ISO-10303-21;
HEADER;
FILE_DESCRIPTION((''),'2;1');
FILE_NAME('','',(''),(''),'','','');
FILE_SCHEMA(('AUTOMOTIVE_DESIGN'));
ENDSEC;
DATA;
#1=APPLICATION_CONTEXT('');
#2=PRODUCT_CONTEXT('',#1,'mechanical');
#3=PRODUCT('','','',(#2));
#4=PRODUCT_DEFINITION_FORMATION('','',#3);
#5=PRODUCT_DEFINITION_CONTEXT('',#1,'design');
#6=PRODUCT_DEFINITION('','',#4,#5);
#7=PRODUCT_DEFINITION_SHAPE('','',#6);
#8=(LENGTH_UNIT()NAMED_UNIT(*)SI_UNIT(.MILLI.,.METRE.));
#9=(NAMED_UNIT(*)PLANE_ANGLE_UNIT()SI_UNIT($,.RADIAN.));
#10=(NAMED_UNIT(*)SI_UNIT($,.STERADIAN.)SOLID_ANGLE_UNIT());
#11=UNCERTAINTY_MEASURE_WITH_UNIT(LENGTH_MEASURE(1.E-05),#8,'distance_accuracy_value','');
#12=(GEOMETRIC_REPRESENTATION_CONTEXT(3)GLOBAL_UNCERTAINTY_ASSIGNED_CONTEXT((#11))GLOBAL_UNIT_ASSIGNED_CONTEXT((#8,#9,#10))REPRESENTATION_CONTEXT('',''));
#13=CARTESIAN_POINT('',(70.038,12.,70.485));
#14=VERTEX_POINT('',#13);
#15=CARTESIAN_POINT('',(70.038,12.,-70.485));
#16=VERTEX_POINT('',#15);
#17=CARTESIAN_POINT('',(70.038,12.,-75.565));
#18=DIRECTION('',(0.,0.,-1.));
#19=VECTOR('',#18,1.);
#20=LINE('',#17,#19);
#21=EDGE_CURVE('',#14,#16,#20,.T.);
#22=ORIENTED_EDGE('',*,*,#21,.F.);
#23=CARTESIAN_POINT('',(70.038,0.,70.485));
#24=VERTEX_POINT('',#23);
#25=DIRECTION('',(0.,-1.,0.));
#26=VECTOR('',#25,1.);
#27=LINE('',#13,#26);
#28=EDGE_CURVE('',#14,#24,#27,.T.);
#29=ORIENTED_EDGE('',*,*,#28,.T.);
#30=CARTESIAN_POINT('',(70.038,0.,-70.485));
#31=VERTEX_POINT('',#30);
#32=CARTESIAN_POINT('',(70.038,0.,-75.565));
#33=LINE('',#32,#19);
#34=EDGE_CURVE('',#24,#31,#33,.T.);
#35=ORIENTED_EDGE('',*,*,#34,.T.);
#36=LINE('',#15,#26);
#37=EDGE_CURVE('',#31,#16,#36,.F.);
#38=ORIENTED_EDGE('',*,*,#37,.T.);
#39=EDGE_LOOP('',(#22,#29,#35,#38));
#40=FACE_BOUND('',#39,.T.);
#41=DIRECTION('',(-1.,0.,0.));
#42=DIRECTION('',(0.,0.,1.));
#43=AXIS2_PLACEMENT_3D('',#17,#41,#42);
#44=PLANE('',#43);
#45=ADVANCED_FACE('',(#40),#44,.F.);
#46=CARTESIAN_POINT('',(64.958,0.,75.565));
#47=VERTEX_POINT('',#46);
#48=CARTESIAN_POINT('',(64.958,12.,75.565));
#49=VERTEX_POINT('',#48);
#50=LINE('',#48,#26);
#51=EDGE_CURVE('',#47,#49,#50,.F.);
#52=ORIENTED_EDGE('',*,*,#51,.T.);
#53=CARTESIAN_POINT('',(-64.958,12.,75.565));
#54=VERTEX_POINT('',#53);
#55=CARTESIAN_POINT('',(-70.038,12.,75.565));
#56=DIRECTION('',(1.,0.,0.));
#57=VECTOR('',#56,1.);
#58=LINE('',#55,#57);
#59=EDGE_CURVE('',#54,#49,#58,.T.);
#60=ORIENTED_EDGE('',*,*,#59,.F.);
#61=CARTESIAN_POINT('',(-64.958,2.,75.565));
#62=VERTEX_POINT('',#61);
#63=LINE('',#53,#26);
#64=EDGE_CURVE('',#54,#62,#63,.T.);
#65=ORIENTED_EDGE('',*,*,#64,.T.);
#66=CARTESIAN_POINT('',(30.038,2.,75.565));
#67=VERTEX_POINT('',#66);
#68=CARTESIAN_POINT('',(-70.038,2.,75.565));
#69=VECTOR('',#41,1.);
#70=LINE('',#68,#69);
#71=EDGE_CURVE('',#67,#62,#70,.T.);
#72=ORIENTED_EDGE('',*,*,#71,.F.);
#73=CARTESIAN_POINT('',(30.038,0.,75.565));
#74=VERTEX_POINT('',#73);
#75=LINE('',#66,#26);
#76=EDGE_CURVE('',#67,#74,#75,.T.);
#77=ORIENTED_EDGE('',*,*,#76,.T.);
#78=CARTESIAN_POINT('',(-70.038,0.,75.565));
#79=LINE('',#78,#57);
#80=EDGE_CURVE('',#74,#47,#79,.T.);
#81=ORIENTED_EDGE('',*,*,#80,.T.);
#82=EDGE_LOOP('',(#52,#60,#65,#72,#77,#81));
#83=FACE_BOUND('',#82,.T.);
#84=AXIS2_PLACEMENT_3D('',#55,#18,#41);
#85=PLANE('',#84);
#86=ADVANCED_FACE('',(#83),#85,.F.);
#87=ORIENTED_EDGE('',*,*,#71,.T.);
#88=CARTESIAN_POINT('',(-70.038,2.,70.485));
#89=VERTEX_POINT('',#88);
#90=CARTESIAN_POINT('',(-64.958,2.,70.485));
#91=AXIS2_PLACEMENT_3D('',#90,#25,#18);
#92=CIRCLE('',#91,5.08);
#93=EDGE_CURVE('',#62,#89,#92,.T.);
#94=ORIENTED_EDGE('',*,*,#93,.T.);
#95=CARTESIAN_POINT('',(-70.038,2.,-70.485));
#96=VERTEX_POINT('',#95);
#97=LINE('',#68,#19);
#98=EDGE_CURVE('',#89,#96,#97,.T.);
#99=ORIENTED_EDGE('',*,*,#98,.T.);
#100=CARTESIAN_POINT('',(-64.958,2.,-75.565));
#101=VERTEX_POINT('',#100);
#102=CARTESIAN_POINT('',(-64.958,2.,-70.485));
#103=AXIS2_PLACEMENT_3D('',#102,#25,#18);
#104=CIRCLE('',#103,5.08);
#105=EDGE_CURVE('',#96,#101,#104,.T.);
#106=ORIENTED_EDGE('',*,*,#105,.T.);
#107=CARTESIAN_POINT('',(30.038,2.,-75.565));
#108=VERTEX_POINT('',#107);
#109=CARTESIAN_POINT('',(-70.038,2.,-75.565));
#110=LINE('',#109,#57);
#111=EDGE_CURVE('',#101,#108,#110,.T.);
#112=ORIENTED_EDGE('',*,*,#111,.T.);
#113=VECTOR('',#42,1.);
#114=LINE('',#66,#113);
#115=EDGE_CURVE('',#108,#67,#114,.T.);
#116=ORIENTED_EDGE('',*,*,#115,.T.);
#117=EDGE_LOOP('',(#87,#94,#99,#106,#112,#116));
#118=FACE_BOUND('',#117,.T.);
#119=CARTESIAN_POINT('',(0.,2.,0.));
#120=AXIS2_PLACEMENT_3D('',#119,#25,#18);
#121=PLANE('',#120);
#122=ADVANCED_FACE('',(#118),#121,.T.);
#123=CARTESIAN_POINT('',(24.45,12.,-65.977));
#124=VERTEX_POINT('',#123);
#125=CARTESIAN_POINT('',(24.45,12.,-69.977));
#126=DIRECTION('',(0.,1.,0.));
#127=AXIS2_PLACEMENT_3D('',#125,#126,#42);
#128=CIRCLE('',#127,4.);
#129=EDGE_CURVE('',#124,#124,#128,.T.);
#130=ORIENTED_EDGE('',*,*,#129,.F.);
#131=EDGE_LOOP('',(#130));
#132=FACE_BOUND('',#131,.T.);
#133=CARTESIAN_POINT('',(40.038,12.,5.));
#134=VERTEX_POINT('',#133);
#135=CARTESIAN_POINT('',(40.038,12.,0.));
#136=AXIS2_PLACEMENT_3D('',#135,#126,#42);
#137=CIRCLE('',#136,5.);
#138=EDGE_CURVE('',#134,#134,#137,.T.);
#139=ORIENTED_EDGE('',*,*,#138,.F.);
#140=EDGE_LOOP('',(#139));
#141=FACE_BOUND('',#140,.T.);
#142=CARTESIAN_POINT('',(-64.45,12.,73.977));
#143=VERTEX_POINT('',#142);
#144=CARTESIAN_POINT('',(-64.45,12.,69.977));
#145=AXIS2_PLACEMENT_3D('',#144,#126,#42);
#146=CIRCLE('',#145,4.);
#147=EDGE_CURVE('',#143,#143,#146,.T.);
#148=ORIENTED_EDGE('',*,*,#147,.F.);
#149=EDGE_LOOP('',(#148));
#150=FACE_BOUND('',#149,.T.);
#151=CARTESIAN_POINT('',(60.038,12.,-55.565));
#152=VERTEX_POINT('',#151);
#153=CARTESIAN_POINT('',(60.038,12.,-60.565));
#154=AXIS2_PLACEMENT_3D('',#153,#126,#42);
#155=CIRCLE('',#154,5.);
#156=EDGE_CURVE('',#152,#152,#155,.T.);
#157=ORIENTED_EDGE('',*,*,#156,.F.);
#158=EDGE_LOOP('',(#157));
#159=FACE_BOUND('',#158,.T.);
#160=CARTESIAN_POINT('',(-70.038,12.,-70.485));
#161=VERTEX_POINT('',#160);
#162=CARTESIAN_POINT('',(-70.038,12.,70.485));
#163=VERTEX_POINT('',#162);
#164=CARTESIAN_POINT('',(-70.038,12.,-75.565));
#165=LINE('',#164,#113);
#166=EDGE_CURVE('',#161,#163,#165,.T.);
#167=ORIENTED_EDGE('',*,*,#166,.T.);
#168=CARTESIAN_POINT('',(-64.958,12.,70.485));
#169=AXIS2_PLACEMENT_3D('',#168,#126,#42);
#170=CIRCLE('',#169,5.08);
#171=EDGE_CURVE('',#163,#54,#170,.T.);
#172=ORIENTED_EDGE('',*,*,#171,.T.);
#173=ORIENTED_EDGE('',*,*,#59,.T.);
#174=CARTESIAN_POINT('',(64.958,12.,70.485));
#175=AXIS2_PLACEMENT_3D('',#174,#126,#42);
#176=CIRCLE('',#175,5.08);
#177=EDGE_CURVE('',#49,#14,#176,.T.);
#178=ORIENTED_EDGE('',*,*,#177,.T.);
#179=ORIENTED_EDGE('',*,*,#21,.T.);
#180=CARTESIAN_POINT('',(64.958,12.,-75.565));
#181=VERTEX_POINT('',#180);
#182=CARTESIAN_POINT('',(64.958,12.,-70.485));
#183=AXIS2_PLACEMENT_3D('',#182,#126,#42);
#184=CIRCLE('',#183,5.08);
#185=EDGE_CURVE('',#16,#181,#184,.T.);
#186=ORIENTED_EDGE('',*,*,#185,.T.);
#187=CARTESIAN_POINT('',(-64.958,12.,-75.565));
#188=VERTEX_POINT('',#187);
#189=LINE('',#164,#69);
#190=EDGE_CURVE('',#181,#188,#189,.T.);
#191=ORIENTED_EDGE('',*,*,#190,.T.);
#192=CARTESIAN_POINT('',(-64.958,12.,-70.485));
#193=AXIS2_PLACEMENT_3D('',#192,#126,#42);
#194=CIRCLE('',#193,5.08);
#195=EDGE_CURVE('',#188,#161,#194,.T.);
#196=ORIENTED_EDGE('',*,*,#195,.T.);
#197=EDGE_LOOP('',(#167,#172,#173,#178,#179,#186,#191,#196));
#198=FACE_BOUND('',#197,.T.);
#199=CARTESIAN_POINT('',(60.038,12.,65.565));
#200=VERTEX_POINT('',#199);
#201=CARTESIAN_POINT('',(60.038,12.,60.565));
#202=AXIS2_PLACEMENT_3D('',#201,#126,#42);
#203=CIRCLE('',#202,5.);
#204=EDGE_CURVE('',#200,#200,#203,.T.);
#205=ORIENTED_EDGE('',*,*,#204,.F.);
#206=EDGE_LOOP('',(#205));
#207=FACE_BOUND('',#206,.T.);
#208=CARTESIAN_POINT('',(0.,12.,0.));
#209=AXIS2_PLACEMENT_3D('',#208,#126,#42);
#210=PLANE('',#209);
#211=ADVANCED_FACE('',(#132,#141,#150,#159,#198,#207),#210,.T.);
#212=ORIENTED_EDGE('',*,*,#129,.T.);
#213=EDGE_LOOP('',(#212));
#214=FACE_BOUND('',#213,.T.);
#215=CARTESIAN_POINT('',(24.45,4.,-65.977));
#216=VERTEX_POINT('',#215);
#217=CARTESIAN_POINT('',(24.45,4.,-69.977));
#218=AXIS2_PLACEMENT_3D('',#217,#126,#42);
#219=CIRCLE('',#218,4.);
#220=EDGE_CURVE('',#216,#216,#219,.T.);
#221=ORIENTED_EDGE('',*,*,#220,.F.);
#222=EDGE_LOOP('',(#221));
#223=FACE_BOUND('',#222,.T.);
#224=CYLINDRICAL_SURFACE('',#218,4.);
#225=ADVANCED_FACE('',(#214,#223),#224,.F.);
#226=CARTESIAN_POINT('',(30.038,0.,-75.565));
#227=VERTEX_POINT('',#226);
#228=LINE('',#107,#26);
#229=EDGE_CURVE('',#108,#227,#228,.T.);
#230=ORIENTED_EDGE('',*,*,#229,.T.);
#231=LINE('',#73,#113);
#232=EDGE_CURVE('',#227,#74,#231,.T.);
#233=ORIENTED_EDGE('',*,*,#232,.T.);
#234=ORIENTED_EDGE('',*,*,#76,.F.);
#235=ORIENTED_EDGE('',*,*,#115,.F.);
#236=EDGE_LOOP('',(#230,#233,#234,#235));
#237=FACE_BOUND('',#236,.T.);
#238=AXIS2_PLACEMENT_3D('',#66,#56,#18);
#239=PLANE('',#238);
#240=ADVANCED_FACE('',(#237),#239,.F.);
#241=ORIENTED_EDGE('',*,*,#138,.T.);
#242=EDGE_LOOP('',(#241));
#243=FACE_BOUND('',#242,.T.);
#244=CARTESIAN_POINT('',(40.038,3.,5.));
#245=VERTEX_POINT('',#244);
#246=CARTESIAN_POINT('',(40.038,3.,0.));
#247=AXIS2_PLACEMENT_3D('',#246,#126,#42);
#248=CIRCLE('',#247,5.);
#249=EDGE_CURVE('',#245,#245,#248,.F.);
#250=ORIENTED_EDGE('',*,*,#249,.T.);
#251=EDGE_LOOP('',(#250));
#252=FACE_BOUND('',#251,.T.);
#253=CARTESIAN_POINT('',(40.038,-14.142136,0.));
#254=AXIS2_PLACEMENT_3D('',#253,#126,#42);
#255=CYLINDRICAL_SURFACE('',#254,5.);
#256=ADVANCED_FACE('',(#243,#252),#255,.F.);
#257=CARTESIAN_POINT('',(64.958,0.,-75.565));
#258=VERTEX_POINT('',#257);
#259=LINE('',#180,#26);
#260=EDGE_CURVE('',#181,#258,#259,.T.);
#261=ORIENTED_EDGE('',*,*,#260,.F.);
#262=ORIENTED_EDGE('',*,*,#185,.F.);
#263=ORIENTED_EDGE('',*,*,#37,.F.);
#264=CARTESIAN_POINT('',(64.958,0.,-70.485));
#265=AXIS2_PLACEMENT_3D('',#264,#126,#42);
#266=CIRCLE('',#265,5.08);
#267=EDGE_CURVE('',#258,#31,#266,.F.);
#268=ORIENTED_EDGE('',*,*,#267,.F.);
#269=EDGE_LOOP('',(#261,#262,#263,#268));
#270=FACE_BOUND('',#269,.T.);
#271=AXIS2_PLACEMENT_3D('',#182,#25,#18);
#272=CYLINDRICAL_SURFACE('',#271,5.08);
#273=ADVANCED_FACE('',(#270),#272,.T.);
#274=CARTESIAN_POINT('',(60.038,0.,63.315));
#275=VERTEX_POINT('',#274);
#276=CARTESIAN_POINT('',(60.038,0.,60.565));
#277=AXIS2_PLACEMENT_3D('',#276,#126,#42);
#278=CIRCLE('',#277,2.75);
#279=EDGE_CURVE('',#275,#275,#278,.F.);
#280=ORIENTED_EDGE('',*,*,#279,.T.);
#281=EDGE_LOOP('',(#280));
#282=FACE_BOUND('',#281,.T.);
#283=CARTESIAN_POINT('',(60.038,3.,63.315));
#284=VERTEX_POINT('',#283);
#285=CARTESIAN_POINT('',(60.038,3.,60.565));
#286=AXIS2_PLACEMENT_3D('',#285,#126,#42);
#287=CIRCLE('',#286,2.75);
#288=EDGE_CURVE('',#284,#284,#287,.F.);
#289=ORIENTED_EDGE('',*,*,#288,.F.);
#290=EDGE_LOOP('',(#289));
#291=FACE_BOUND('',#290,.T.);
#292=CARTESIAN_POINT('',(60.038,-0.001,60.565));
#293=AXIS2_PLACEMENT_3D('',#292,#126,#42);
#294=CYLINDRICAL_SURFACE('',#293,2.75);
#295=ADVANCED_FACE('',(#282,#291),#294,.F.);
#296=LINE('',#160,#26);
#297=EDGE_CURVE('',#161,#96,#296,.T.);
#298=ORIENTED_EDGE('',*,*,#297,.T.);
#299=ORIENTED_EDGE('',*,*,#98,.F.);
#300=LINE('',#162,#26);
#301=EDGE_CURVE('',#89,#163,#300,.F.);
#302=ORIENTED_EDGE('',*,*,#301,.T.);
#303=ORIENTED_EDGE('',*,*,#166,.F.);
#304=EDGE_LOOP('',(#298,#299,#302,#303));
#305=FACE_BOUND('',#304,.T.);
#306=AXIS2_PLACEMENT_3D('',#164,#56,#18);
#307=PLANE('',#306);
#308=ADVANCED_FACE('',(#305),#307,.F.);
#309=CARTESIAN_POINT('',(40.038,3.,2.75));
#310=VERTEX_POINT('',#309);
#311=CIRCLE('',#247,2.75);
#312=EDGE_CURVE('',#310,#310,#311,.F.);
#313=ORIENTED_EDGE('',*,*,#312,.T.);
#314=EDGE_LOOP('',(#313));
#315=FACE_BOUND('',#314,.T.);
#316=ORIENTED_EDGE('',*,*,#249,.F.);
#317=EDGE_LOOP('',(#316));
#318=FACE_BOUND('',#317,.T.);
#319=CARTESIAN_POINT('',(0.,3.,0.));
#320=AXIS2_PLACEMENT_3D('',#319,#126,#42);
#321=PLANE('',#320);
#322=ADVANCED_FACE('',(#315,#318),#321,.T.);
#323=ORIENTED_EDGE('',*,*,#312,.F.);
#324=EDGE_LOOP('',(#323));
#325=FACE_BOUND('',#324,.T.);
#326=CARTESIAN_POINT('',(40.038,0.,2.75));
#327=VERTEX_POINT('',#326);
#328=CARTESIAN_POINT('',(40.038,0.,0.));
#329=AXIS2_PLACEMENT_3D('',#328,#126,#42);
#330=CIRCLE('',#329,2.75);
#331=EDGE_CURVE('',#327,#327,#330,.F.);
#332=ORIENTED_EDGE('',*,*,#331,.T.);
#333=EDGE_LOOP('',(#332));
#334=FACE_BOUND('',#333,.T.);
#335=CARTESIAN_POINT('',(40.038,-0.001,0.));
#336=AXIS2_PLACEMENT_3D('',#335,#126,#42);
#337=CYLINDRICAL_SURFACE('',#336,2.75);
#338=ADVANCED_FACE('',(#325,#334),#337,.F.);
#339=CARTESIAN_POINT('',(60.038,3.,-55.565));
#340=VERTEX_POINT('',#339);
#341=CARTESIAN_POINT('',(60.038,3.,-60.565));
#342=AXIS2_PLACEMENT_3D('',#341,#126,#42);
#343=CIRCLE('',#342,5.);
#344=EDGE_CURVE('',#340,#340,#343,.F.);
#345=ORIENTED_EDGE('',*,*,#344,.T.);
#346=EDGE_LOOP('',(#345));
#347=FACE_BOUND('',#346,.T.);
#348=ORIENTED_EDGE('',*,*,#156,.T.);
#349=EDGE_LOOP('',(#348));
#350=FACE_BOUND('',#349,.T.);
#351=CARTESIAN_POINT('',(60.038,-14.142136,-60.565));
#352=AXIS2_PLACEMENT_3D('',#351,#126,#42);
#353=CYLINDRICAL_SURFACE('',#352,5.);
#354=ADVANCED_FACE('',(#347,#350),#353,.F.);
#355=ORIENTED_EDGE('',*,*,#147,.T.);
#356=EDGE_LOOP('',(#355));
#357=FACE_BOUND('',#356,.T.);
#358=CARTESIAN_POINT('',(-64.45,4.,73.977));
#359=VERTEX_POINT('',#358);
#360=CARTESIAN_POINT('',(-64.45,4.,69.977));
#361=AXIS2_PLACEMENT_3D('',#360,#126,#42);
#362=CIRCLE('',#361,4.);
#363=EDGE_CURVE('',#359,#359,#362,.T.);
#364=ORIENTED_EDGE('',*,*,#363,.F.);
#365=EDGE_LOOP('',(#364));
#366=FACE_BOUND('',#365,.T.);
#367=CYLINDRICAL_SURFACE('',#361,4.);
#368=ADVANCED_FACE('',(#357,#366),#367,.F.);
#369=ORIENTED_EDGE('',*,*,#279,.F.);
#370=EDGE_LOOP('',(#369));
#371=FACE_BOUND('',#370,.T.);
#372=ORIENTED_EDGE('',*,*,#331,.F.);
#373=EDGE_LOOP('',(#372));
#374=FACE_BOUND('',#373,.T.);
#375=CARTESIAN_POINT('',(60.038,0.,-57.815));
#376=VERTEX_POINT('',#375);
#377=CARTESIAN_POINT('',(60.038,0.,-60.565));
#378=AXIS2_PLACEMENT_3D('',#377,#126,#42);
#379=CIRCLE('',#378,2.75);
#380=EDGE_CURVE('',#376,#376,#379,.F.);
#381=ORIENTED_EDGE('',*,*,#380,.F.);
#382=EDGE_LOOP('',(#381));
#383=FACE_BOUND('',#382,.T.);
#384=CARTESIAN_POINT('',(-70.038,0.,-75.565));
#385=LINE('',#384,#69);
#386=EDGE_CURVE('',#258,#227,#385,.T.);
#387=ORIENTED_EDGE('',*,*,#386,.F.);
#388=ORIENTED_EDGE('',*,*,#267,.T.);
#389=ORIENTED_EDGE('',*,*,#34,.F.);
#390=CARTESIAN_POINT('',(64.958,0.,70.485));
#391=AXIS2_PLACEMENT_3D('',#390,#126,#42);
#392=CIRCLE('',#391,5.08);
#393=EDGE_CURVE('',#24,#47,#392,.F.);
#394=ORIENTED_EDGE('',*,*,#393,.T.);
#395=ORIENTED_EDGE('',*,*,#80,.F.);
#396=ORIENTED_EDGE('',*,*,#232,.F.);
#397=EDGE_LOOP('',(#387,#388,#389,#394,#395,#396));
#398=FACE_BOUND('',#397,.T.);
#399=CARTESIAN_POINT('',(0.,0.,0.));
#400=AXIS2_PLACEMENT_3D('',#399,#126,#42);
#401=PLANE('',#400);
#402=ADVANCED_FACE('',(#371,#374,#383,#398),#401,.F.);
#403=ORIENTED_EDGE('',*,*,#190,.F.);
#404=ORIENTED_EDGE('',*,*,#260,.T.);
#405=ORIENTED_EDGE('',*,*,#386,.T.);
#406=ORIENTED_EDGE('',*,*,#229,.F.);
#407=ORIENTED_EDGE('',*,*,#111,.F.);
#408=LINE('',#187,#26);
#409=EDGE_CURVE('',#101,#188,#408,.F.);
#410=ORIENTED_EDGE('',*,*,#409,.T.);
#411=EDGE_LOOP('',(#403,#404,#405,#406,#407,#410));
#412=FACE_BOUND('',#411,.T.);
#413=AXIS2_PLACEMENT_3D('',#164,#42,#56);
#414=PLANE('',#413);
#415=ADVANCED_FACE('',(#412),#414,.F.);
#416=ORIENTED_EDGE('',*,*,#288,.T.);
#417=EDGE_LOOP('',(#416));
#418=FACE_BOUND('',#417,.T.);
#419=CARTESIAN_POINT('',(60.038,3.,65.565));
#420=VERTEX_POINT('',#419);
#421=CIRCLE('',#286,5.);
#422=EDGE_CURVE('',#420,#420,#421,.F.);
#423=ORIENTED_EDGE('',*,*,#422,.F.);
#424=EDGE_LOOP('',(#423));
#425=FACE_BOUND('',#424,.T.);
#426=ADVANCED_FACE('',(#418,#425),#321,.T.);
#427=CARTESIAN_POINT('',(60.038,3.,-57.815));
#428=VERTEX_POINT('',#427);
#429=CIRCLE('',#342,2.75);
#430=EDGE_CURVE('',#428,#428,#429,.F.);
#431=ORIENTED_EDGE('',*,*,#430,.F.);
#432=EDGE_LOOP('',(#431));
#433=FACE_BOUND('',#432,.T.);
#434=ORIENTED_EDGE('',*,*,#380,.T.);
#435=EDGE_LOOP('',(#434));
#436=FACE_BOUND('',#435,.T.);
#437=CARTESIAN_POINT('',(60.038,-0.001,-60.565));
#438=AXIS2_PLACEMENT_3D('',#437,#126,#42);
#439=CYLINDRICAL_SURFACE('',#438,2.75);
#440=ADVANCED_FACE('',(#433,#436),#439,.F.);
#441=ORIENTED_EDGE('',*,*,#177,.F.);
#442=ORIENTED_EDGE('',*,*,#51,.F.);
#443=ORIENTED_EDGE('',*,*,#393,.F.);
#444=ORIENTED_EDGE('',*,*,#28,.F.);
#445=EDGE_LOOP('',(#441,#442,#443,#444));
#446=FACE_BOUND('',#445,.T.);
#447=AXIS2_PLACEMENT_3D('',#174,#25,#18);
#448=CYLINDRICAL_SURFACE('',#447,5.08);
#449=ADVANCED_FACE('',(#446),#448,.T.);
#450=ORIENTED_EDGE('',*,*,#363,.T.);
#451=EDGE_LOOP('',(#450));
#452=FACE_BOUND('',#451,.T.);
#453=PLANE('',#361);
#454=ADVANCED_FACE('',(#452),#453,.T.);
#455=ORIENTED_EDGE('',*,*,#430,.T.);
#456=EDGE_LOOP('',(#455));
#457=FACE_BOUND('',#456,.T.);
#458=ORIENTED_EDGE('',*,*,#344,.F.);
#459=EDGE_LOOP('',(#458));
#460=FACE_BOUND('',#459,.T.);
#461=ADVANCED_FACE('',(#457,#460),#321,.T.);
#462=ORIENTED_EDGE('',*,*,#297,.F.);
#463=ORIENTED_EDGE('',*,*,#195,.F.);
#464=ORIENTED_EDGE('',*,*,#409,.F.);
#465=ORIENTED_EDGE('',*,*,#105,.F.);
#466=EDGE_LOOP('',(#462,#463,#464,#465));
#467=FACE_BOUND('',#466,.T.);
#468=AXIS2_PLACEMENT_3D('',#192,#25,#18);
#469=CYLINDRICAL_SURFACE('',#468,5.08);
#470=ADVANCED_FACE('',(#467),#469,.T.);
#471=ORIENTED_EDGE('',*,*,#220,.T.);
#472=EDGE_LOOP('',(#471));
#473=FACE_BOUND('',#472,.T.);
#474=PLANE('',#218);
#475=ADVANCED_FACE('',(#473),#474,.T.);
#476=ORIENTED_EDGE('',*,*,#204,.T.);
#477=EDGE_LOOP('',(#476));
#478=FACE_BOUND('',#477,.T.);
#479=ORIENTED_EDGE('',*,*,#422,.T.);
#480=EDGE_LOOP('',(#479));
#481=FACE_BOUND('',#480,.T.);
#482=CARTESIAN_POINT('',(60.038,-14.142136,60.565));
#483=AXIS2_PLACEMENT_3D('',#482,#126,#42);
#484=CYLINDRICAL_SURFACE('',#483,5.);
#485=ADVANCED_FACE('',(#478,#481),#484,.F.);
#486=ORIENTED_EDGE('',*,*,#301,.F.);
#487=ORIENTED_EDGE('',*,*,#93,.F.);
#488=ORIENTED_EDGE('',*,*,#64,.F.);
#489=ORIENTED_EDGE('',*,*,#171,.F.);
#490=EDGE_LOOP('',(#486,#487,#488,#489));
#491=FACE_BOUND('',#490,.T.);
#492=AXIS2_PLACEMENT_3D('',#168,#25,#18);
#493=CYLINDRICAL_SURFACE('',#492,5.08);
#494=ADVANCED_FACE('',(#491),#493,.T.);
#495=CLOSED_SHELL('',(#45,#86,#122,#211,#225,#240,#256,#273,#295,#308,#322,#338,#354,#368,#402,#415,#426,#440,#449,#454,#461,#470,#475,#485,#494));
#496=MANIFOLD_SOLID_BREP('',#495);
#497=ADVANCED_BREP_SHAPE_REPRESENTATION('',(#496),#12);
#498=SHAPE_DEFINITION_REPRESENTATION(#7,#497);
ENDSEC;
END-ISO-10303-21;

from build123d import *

# Parameters (mm, degrees)
SKETCH1_W           = 140.076
SKETCH1_H           = 151.13
BOSS_EXTRUDE1_DEPTH = 12
SKETCH2_W           = 100.076
SKETCH2_H           = 151.13
CUT_EXTRUDE1_DEPTH  = 2
SKETCH3_R           = 4
CUT_EXTRUDE2_DEPTH  = 8
CUT_EXTRUDE3_REACH  = 105.727
SKETCH4_R           = 2.75
FILLET1_R           = 5.08
SKETCH5_R           = 5
CUT_EXTRUDE4_DEPTH  = 9


with BuildPart() as part:
    # Sketch1 → Boss-Extrude1 (new body)
    with BuildSketch(Plane(origin=(0, 0, 0), x_dir=(1, 0, 0), z_dir=(0, 1, 0))):
        Rectangle(SKETCH1_W, SKETCH1_H)
    extrude(amount=BOSS_EXTRUDE1_DEPTH)

    # Sketch2 → Cut-Extrude1 (cut)
    with BuildSketch(Plane.XZ):
        with Locations((-20, 0)):
            Rectangle(SKETCH2_W, SKETCH2_H)
    extrude(amount=-CUT_EXTRUDE1_DEPTH, mode=Mode.SUBTRACT)

    # Sketch3 → Cut-Extrude2 (cut)
    with BuildSketch(Plane(origin=(0, 12, 0), x_dir=(1, 0, 0), z_dir=(0, 1, 0))):
        with Locations(Location((24.45, 69.977, 0), (0, 0, 270))):
            Circle(SKETCH3_R)
        with Locations(Location((-64.45, -69.977, 0), (0, 0, 270))):
            Circle(SKETCH3_R)
    extrude(amount=-CUT_EXTRUDE2_DEPTH, mode=Mode.SUBTRACT)

    # Sketch4 → Cut-Extrude3 (cut, up to next)
    with BuildSketch(Plane(origin=(0, 12, 0), x_dir=(1, 0, 0), z_dir=(0, 1, 0)), mode=Mode.PRIVATE) as cut_extrude3_sk1:
        with Locations(Location((40.038, 0, 0), (0, 0, 270))):
            Circle(SKETCH4_R)
    cut_extrude3_tool1 = extrude(cut_extrude3_sk1.sketch, amount=-CUT_EXTRUDE3_REACH, mode=Mode.PRIVATE) & part.part
    # Sketch4 → Cut-Extrude3 (cut, up to next)
    with BuildSketch(Plane(origin=(0, 12, 0), x_dir=(1, 0, 0), z_dir=(0, 1, 0)), mode=Mode.PRIVATE) as cut_extrude3_sk2:
        with Locations(Location((60.038, -60.565, 0), (0, 0, 270))):
            Circle(SKETCH4_R)
    cut_extrude3_tool2 = extrude(cut_extrude3_sk2.sketch, amount=-CUT_EXTRUDE3_REACH, mode=Mode.PRIVATE) & part.part
    # Sketch4 → Cut-Extrude3 (cut, up to next)
    with BuildSketch(Plane(origin=(0, 12, 0), x_dir=(1, 0, 0), z_dir=(0, 1, 0)), mode=Mode.PRIVATE) as cut_extrude3_sk3:
        with Locations(Location((60.038, 60.565, 0), (0, 0, 270))):
            Circle(SKETCH4_R)
    cut_extrude3_tool3 = extrude(cut_extrude3_sk3.sketch, amount=-CUT_EXTRUDE3_REACH, mode=Mode.PRIVATE) & part.part
    add(cut_extrude3_tool1.solids().sort_by_distance((40.038, 12, 0))[0], mode=Mode.SUBTRACT)
    add(cut_extrude3_tool2.solids().sort_by_distance((60.038, 12, 60.565))[0], mode=Mode.SUBTRACT)
    add(cut_extrude3_tool3.solids().sort_by_distance((60.038, 12, -60.565))[0], mode=Mode.SUBTRACT)

    # Fillet1
    fillet1_edges = [part.edges().sort_by_distance(p)[0] for p in [
        (70.038, 6, 75.565),
        (-70.038, 7, 75.565),
        (-70.038, 7, -75.565),
        (70.038, 6, -75.565),
    ]]
    fillet(fillet1_edges, radius=FILLET1_R)

    # Sketch5 → Cut-Extrude4 (cut)
    with BuildSketch(Plane(origin=(0, 12, 0), x_dir=(1, 0, 0), z_dir=(0, 1, 0))):
        with Locations(Location((60.038, 60.565, 0), (0, 0, 270))):
            Circle(SKETCH5_R)
        with Locations(Location((40.038, 0, 0), (0, 0, 270))):
            Circle(SKETCH5_R)
        with Locations(Location((60.038, -60.565, 0), (0, 0, 270))):
            Circle(SKETCH5_R)
    extrude(amount=-CUT_EXTRUDE4_DEPTH, mode=Mode.SUBTRACT)


solid = part.part
